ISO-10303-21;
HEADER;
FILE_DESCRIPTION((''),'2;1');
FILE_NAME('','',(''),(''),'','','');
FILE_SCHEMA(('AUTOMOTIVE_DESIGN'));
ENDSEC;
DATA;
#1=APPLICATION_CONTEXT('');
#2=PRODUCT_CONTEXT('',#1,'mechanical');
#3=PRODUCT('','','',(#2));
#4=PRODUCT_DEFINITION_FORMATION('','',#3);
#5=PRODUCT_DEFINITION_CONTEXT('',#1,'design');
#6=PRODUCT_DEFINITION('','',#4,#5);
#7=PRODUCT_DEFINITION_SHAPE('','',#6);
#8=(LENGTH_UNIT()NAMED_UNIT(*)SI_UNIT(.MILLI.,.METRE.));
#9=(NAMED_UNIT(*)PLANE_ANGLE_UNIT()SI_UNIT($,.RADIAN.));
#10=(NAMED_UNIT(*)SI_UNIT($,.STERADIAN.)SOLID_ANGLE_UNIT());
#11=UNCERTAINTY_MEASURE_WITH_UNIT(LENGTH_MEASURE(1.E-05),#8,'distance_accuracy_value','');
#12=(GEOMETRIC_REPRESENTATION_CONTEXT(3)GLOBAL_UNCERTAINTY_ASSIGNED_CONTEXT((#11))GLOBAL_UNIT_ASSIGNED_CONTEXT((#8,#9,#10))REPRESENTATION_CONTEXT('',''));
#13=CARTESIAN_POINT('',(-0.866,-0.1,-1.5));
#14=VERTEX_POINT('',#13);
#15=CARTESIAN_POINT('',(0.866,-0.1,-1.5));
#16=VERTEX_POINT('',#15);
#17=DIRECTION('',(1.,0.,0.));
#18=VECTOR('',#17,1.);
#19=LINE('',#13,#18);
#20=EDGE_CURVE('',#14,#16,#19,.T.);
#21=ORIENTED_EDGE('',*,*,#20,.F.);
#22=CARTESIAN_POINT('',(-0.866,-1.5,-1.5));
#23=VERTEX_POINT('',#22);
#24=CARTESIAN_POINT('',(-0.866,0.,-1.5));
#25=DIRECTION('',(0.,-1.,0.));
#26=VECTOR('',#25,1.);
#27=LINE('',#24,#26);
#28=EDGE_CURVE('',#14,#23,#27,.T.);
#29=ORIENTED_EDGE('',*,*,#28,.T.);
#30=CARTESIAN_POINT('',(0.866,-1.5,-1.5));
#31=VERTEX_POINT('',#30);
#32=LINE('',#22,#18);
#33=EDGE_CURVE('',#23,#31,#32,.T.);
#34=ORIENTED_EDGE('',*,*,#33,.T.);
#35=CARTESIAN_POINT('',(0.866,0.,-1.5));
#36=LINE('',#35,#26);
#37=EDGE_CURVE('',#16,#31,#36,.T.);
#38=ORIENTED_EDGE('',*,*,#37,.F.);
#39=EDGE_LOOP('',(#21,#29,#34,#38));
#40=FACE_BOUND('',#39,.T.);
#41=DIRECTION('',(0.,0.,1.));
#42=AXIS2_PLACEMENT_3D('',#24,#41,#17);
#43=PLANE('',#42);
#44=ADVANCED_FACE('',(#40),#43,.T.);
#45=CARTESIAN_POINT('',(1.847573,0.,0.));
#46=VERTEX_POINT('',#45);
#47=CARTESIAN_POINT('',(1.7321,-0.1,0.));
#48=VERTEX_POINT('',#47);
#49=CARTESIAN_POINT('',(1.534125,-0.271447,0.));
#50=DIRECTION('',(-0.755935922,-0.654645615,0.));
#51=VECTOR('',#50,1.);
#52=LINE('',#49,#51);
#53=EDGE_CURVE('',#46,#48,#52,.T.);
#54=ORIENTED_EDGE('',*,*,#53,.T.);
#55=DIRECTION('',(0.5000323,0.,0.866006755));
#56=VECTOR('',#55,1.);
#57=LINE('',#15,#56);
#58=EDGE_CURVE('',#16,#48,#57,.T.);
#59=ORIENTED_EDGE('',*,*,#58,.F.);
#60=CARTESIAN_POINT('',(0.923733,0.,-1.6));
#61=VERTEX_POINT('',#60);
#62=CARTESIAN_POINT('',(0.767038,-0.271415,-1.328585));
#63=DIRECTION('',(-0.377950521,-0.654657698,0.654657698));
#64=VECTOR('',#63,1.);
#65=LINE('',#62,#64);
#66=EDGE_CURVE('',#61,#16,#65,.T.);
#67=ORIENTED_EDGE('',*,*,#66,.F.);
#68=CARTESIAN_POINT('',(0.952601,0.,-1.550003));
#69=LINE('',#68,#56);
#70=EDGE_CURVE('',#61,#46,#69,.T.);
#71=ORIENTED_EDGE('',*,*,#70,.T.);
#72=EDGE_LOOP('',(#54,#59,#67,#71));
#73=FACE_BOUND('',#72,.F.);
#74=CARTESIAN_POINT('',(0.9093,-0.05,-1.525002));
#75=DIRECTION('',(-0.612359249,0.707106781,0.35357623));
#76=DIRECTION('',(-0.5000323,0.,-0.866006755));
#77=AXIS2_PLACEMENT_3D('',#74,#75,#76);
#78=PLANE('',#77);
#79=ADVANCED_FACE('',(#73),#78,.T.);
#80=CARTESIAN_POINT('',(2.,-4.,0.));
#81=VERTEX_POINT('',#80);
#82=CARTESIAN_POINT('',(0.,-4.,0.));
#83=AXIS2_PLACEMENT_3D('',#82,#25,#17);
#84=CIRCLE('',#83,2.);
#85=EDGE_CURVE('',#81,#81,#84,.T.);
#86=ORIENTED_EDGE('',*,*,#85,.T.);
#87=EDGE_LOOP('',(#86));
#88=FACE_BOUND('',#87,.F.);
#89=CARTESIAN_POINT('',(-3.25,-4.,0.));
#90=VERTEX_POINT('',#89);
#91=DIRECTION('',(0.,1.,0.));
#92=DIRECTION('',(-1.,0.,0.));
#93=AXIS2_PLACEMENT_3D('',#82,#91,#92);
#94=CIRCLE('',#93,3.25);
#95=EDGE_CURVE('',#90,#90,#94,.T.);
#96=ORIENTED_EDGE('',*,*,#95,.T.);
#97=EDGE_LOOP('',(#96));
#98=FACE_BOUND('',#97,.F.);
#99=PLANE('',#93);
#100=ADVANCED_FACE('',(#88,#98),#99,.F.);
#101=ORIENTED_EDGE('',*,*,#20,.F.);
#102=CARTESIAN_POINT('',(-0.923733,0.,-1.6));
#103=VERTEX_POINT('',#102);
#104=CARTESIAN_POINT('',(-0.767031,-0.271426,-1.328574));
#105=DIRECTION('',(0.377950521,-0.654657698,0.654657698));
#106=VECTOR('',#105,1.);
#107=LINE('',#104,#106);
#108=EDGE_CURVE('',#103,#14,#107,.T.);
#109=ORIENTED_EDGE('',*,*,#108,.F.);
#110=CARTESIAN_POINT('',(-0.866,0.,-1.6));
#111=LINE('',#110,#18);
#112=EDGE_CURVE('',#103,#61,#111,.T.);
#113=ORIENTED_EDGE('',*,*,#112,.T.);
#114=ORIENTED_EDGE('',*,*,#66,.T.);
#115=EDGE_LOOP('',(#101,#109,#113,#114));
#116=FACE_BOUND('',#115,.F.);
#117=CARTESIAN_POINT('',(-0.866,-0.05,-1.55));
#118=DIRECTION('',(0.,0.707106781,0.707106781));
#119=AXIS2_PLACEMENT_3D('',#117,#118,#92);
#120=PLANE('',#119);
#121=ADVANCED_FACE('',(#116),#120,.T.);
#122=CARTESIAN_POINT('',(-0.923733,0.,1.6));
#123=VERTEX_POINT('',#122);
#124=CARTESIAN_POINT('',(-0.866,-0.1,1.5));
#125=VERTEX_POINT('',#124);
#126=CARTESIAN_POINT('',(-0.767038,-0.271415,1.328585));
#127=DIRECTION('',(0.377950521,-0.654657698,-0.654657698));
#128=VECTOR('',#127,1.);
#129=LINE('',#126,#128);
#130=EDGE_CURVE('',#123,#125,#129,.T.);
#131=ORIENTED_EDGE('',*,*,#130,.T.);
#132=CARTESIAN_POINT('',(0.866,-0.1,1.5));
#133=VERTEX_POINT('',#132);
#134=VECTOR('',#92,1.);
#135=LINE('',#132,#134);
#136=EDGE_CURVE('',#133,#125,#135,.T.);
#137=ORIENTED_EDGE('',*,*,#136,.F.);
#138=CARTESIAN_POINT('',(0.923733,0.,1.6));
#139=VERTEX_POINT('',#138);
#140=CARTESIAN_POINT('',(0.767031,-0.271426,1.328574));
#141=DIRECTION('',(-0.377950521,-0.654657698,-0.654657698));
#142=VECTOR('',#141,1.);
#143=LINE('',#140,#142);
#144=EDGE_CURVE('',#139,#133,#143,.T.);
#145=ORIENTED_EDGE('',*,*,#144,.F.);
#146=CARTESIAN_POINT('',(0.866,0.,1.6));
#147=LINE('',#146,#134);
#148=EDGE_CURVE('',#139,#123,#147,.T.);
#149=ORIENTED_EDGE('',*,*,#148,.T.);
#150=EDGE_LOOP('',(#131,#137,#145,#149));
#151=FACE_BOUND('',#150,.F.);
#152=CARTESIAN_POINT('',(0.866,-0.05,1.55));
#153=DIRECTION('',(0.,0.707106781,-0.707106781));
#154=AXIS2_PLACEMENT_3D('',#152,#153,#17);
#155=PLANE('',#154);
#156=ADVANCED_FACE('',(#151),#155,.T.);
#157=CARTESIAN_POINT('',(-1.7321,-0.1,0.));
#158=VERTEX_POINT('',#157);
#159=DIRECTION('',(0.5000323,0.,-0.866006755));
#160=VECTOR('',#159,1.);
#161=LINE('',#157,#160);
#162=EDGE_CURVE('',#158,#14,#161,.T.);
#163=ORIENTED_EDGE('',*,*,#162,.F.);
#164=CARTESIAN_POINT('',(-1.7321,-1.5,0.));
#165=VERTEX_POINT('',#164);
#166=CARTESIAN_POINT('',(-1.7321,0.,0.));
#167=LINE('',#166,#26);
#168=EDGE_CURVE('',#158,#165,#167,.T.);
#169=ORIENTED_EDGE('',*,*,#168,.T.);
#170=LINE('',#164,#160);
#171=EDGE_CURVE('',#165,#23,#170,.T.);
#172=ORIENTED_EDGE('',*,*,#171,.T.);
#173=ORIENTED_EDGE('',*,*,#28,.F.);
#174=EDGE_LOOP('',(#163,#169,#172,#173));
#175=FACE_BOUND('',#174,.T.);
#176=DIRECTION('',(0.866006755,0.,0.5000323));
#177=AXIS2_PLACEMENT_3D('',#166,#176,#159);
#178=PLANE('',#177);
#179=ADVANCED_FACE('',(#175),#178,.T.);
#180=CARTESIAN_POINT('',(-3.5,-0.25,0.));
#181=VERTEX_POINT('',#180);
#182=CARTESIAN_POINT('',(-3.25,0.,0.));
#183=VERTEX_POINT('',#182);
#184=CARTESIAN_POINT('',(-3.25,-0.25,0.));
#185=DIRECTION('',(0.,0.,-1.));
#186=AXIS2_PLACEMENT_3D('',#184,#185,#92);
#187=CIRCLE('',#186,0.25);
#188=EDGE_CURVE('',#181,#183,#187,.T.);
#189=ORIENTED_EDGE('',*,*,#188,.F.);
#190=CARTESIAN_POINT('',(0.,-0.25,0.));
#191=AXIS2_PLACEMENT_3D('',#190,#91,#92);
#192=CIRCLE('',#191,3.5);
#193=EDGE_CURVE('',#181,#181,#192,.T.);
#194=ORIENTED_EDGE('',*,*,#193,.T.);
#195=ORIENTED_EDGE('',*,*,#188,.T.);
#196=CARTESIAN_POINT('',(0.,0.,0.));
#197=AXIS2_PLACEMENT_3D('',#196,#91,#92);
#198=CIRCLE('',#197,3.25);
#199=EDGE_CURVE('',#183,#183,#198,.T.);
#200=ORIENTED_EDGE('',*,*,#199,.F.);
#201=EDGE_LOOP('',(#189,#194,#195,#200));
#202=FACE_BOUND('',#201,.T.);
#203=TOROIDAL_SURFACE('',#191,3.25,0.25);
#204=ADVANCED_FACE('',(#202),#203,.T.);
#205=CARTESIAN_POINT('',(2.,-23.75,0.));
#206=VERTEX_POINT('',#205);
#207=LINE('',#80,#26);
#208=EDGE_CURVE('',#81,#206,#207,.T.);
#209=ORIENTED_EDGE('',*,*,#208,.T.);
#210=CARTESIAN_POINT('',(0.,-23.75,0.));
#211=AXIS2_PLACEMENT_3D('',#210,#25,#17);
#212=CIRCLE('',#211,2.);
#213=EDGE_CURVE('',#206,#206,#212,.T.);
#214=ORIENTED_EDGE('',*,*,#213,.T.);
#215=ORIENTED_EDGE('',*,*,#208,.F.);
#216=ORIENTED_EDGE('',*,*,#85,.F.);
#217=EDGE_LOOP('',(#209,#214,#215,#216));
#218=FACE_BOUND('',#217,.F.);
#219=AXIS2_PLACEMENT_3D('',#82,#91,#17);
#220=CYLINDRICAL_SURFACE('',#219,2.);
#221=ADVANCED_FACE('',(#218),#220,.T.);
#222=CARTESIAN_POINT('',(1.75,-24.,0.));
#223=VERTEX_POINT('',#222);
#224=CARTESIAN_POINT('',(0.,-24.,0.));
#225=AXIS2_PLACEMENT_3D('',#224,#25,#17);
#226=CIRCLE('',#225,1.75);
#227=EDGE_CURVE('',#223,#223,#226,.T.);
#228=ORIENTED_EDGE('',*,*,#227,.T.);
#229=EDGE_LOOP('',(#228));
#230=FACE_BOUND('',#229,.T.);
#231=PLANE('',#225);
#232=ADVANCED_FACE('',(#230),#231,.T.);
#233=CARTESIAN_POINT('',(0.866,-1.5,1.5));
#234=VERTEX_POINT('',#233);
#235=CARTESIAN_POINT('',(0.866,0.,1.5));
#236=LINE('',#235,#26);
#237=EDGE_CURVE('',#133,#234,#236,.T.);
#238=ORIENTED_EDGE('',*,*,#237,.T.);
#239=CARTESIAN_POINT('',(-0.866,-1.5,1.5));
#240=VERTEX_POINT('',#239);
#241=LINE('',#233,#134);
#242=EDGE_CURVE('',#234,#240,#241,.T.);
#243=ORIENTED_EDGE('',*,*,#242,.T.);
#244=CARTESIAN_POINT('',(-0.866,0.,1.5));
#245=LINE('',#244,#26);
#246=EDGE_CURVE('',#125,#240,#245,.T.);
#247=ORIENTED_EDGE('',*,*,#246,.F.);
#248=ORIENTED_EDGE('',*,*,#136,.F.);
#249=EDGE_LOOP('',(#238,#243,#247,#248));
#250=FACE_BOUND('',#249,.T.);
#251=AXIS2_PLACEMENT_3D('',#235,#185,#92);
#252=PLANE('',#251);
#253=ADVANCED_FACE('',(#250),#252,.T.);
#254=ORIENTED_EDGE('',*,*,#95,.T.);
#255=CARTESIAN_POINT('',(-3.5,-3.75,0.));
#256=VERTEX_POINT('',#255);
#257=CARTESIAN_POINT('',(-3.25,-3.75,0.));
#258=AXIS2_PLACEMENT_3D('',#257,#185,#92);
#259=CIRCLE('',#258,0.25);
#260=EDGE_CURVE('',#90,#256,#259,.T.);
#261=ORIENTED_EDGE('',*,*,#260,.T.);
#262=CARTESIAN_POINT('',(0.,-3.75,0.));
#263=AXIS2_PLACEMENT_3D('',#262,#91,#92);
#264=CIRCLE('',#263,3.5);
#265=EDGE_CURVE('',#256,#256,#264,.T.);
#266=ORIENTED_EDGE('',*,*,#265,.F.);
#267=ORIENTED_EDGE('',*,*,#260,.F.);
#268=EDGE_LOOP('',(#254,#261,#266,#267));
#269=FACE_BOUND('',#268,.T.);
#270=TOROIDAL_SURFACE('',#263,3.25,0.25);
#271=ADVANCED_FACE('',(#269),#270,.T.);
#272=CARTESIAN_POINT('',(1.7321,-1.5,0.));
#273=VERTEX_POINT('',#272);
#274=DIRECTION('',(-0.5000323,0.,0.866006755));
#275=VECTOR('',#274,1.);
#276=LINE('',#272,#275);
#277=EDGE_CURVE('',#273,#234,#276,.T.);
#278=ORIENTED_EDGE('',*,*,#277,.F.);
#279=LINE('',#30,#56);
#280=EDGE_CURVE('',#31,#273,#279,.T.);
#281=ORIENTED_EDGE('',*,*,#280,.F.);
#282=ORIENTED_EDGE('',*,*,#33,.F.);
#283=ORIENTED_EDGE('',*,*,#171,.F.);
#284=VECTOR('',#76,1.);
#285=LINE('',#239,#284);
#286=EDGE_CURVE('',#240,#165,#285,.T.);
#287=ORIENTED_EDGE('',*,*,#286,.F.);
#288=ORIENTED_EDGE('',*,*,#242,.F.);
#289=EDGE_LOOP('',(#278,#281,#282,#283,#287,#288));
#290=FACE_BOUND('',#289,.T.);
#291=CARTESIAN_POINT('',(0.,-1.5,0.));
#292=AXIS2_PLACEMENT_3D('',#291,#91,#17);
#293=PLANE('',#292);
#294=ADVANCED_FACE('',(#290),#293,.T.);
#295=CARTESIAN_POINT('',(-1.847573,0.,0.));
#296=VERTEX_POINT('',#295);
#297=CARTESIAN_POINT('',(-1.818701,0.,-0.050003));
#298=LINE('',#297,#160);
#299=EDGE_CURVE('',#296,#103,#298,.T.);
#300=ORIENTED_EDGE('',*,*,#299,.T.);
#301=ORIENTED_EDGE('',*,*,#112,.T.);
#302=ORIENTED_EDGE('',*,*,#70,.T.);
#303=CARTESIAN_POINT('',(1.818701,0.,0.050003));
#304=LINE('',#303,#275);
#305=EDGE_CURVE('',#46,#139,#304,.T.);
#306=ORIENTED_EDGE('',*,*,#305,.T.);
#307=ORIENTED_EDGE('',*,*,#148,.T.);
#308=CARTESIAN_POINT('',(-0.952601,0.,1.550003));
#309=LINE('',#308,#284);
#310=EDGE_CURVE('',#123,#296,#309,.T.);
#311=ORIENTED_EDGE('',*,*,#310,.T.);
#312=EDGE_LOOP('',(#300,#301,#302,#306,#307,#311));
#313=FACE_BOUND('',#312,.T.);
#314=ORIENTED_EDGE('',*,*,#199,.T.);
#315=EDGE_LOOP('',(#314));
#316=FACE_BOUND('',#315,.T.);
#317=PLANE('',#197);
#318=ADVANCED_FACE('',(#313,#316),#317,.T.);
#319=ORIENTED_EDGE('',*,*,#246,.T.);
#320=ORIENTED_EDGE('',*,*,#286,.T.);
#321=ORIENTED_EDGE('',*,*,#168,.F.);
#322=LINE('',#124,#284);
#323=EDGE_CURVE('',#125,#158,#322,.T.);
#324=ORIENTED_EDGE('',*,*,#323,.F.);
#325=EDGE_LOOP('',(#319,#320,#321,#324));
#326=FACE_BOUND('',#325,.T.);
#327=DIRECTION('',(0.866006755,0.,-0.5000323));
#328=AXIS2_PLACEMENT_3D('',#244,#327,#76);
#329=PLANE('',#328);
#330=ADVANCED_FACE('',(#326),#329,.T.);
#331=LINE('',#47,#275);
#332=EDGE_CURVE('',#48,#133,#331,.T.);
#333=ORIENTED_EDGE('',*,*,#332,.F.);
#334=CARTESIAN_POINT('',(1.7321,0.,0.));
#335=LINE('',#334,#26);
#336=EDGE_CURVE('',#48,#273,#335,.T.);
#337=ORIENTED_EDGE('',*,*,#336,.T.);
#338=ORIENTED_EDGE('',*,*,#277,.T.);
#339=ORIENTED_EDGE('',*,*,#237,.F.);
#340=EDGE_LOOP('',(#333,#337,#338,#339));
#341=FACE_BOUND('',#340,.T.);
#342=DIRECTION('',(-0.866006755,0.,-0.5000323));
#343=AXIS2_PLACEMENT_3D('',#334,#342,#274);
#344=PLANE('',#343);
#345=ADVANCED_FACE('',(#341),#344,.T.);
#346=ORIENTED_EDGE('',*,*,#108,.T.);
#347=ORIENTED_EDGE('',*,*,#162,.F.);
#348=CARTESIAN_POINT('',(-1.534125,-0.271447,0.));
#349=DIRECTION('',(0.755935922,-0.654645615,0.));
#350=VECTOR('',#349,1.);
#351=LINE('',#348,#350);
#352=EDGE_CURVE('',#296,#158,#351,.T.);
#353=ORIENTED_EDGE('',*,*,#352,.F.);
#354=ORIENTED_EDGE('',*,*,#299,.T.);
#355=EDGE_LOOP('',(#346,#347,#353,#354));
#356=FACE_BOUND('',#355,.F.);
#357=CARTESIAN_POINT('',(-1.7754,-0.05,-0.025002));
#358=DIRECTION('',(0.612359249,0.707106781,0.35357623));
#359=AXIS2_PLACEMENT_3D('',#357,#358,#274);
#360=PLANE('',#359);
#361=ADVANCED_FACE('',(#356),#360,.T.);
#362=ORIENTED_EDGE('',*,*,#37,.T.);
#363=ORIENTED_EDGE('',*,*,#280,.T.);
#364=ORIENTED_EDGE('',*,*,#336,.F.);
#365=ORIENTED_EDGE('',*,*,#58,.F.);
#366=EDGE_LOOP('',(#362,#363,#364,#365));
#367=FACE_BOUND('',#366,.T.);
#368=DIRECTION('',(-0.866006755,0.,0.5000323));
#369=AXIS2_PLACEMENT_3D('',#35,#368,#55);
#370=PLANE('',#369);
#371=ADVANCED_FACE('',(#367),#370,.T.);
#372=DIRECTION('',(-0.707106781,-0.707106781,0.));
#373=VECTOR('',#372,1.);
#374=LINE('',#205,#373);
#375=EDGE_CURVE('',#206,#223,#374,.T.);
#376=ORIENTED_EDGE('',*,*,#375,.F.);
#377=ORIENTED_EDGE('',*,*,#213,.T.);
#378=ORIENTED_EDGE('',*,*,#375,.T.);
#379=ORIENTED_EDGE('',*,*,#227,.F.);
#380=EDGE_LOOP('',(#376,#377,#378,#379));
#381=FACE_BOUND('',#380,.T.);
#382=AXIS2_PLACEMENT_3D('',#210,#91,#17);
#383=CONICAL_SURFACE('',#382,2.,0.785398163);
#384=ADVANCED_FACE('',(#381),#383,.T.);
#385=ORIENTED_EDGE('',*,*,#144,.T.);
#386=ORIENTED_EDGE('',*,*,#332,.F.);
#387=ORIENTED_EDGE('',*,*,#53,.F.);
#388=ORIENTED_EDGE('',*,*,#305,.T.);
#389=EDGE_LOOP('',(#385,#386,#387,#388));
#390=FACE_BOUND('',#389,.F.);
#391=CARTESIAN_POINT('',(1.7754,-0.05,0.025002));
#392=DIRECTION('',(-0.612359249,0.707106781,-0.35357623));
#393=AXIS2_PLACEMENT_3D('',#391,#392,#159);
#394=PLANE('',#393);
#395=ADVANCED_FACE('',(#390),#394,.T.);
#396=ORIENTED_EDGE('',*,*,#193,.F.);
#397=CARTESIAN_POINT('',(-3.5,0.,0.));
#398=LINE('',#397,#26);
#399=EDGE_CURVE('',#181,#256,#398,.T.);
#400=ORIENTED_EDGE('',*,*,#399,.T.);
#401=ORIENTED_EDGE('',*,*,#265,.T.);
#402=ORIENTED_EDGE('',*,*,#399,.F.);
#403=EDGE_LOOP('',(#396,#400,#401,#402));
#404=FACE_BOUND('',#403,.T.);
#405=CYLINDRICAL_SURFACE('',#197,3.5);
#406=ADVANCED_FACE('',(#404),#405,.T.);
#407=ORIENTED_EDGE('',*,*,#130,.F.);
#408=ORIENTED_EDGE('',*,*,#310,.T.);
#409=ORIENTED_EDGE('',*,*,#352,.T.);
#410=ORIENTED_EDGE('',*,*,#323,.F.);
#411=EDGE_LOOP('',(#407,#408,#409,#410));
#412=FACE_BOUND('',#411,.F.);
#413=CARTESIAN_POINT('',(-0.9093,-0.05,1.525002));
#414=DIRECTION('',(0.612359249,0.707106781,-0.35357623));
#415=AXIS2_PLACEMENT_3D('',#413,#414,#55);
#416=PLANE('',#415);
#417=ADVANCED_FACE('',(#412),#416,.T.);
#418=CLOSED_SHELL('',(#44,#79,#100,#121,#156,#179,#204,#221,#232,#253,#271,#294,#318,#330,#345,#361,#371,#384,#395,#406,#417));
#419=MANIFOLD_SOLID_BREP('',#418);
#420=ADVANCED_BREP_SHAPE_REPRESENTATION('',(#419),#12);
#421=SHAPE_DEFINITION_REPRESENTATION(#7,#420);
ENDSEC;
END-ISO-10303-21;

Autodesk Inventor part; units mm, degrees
ref_plane "YZ Plane" through (0, 0, 0) normal (1, 0, 0) x (0, 1, 0)
ref_plane "XZ Plane" through (0, 0, 0) normal (0, 1, 0) x (-1, 0, 0)
ref_plane "XY Plane" through (0, 0, 0) normal (0, 0, 1) x (1, 0, 0)
sketch "Sketch1" plane through (0, 0, 0) normal (0, 1, 0) x (-1, 0, 0)
  circle A0 centre (0, 0) radius 3.5
  dimension "d0" = 7
extrude "Extrusion1" add sketch "Sketch1" against normal blind 4
sketch "Sketch2" plane through (0, -4, 0) normal (0, -1, 0) x (1, 0, 0)
  circle A0 centre (0, 0) radius 2
  dimension "d3" = 4
extrude "Extrusion2" add sketch "Sketch2" along normal blind 20
sketch "Sketch3" plane through (0, 0, 0) normal (0, 1, 0) x (1, 0, 0)
  circle A0 centre (0, 0) radius 2 construction
  line L0 (1.7321, 0) -> (0.866, -1.5)
  line L1 (0.866, -1.5) -> (-0.866, -1.5)
  line L2 (-0.866, -1.5) -> (-1.7321, 0)
  line L3 (-1.7321, 0) -> (-0.866, 1.5)
  line L4 (-0.866, 1.5) -> (0.866, 1.5)
  line L5 (0.866, 1.5) -> (1.7321, 0)
  dimension "d8" = 3
extrude "Extrusion3" cut sketch "Sketch3" against normal blind 1.5
chamfer "Chamfer1" distance 0.25 angle 45 1 edges at (-2, -24, 0)
fillet "Fillet1" radius 0.25 2 edges at (3.5, 0, 0) (3.5, -4, 0)
chamfer "Chamfer2" distance 0.1 angle 45 6 edges at (0, 0, -1.5) (1.299, 0, -0.75) (1.299, 0, 0.75) (0, 0, 1.5) (-1.299, 0, 0.75) (-1.299, 0, -0.75)
thread "Thread2" size "M4x0.7" class "6g" standard "ANSI Metric M Profile" full length
properties part number "M4-20" material "Steel, Carbon"
